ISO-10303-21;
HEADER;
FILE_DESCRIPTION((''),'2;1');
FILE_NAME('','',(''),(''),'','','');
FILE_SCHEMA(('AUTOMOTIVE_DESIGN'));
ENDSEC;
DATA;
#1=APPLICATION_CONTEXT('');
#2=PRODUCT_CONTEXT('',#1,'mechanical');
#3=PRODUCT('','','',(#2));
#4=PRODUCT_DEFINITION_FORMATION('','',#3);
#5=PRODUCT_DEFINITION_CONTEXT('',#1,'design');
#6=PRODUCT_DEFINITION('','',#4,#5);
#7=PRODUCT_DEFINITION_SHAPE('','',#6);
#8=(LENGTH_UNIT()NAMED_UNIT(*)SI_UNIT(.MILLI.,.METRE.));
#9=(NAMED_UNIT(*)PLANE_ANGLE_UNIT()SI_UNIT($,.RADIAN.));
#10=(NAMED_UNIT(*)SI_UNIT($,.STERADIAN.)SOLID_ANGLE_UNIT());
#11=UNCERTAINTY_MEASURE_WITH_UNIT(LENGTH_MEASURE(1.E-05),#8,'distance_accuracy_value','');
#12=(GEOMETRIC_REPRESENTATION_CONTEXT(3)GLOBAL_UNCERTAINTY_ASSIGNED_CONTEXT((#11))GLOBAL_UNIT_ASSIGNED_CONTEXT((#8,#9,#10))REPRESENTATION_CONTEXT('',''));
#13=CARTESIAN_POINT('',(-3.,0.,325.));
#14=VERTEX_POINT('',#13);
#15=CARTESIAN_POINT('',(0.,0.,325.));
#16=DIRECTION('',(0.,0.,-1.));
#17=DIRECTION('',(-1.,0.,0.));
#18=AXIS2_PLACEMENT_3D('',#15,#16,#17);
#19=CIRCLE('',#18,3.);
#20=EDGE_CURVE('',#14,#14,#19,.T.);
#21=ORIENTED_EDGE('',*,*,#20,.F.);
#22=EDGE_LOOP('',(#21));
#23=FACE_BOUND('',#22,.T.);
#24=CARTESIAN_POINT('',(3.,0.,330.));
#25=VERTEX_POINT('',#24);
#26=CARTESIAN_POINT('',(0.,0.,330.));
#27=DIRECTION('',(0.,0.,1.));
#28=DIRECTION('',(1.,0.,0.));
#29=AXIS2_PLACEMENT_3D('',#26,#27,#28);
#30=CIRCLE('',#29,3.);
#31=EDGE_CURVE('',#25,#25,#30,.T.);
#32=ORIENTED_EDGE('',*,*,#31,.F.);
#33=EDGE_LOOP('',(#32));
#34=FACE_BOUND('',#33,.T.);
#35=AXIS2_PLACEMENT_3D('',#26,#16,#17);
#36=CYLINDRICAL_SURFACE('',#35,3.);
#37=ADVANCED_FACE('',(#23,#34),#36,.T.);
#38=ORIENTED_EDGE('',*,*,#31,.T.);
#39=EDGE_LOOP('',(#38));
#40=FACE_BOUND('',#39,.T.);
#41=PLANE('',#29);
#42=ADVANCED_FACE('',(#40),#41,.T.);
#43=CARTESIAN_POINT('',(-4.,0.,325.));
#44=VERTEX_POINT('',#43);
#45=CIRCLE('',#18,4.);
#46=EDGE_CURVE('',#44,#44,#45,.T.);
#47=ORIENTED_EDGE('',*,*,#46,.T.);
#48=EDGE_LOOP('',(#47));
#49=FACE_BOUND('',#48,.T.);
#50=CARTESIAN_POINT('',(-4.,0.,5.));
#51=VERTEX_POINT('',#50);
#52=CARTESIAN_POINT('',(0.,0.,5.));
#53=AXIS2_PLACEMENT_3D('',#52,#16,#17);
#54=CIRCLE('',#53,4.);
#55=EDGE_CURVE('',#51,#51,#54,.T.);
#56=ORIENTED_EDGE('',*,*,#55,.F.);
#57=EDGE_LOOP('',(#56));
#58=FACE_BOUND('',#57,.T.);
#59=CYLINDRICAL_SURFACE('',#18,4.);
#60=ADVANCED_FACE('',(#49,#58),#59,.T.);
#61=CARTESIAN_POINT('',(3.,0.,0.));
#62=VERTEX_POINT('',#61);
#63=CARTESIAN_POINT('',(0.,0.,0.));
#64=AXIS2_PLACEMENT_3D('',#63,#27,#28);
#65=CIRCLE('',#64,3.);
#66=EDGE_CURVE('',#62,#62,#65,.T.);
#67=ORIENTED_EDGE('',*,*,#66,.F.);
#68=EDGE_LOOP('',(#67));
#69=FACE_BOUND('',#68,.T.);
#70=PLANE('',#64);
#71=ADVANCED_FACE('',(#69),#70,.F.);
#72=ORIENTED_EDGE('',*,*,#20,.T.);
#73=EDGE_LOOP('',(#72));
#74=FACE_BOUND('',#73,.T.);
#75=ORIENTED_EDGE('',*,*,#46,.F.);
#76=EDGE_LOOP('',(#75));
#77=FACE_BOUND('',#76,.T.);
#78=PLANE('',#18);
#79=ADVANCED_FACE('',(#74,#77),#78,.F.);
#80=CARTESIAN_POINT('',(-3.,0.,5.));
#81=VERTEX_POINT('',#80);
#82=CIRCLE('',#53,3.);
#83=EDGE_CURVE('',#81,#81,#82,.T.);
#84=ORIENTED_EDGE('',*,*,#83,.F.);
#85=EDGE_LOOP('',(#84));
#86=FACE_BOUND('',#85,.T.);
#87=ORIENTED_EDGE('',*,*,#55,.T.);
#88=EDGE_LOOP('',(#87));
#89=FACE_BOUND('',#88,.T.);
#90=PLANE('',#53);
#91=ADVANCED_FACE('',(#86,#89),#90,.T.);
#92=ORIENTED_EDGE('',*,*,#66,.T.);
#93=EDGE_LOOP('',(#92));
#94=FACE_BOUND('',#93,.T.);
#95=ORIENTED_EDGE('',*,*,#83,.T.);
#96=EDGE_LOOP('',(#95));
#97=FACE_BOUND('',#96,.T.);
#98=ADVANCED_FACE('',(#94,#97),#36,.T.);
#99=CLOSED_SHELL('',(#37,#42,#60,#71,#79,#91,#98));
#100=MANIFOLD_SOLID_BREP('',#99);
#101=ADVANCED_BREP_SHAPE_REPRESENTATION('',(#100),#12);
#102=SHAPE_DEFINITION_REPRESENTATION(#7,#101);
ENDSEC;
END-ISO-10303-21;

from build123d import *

# Parameters (mm, degrees)
SKETCH_1_R      = 3
EXTRUDE_1_DEPTH = 330
SKETCH_2_R      = 4
EXTRUDE_2_DEPTH = 320


with BuildPart() as part:
    # 스케치1 → 보스-돌출1 (new body)
    with BuildSketch(Plane.XY):
        Circle(SKETCH_1_R)
    extrude(amount=EXTRUDE_1_DEPTH)

    # 스케치2 → 보스-돌출2 (add)
    with BuildSketch(Plane(origin=(0, 0, 5), x_dir=(-1, 0, 0), z_dir=(0, 0, -1))):
        Circle(SKETCH_2_R)
    extrude(amount=-EXTRUDE_2_DEPTH)


solid = part.part
